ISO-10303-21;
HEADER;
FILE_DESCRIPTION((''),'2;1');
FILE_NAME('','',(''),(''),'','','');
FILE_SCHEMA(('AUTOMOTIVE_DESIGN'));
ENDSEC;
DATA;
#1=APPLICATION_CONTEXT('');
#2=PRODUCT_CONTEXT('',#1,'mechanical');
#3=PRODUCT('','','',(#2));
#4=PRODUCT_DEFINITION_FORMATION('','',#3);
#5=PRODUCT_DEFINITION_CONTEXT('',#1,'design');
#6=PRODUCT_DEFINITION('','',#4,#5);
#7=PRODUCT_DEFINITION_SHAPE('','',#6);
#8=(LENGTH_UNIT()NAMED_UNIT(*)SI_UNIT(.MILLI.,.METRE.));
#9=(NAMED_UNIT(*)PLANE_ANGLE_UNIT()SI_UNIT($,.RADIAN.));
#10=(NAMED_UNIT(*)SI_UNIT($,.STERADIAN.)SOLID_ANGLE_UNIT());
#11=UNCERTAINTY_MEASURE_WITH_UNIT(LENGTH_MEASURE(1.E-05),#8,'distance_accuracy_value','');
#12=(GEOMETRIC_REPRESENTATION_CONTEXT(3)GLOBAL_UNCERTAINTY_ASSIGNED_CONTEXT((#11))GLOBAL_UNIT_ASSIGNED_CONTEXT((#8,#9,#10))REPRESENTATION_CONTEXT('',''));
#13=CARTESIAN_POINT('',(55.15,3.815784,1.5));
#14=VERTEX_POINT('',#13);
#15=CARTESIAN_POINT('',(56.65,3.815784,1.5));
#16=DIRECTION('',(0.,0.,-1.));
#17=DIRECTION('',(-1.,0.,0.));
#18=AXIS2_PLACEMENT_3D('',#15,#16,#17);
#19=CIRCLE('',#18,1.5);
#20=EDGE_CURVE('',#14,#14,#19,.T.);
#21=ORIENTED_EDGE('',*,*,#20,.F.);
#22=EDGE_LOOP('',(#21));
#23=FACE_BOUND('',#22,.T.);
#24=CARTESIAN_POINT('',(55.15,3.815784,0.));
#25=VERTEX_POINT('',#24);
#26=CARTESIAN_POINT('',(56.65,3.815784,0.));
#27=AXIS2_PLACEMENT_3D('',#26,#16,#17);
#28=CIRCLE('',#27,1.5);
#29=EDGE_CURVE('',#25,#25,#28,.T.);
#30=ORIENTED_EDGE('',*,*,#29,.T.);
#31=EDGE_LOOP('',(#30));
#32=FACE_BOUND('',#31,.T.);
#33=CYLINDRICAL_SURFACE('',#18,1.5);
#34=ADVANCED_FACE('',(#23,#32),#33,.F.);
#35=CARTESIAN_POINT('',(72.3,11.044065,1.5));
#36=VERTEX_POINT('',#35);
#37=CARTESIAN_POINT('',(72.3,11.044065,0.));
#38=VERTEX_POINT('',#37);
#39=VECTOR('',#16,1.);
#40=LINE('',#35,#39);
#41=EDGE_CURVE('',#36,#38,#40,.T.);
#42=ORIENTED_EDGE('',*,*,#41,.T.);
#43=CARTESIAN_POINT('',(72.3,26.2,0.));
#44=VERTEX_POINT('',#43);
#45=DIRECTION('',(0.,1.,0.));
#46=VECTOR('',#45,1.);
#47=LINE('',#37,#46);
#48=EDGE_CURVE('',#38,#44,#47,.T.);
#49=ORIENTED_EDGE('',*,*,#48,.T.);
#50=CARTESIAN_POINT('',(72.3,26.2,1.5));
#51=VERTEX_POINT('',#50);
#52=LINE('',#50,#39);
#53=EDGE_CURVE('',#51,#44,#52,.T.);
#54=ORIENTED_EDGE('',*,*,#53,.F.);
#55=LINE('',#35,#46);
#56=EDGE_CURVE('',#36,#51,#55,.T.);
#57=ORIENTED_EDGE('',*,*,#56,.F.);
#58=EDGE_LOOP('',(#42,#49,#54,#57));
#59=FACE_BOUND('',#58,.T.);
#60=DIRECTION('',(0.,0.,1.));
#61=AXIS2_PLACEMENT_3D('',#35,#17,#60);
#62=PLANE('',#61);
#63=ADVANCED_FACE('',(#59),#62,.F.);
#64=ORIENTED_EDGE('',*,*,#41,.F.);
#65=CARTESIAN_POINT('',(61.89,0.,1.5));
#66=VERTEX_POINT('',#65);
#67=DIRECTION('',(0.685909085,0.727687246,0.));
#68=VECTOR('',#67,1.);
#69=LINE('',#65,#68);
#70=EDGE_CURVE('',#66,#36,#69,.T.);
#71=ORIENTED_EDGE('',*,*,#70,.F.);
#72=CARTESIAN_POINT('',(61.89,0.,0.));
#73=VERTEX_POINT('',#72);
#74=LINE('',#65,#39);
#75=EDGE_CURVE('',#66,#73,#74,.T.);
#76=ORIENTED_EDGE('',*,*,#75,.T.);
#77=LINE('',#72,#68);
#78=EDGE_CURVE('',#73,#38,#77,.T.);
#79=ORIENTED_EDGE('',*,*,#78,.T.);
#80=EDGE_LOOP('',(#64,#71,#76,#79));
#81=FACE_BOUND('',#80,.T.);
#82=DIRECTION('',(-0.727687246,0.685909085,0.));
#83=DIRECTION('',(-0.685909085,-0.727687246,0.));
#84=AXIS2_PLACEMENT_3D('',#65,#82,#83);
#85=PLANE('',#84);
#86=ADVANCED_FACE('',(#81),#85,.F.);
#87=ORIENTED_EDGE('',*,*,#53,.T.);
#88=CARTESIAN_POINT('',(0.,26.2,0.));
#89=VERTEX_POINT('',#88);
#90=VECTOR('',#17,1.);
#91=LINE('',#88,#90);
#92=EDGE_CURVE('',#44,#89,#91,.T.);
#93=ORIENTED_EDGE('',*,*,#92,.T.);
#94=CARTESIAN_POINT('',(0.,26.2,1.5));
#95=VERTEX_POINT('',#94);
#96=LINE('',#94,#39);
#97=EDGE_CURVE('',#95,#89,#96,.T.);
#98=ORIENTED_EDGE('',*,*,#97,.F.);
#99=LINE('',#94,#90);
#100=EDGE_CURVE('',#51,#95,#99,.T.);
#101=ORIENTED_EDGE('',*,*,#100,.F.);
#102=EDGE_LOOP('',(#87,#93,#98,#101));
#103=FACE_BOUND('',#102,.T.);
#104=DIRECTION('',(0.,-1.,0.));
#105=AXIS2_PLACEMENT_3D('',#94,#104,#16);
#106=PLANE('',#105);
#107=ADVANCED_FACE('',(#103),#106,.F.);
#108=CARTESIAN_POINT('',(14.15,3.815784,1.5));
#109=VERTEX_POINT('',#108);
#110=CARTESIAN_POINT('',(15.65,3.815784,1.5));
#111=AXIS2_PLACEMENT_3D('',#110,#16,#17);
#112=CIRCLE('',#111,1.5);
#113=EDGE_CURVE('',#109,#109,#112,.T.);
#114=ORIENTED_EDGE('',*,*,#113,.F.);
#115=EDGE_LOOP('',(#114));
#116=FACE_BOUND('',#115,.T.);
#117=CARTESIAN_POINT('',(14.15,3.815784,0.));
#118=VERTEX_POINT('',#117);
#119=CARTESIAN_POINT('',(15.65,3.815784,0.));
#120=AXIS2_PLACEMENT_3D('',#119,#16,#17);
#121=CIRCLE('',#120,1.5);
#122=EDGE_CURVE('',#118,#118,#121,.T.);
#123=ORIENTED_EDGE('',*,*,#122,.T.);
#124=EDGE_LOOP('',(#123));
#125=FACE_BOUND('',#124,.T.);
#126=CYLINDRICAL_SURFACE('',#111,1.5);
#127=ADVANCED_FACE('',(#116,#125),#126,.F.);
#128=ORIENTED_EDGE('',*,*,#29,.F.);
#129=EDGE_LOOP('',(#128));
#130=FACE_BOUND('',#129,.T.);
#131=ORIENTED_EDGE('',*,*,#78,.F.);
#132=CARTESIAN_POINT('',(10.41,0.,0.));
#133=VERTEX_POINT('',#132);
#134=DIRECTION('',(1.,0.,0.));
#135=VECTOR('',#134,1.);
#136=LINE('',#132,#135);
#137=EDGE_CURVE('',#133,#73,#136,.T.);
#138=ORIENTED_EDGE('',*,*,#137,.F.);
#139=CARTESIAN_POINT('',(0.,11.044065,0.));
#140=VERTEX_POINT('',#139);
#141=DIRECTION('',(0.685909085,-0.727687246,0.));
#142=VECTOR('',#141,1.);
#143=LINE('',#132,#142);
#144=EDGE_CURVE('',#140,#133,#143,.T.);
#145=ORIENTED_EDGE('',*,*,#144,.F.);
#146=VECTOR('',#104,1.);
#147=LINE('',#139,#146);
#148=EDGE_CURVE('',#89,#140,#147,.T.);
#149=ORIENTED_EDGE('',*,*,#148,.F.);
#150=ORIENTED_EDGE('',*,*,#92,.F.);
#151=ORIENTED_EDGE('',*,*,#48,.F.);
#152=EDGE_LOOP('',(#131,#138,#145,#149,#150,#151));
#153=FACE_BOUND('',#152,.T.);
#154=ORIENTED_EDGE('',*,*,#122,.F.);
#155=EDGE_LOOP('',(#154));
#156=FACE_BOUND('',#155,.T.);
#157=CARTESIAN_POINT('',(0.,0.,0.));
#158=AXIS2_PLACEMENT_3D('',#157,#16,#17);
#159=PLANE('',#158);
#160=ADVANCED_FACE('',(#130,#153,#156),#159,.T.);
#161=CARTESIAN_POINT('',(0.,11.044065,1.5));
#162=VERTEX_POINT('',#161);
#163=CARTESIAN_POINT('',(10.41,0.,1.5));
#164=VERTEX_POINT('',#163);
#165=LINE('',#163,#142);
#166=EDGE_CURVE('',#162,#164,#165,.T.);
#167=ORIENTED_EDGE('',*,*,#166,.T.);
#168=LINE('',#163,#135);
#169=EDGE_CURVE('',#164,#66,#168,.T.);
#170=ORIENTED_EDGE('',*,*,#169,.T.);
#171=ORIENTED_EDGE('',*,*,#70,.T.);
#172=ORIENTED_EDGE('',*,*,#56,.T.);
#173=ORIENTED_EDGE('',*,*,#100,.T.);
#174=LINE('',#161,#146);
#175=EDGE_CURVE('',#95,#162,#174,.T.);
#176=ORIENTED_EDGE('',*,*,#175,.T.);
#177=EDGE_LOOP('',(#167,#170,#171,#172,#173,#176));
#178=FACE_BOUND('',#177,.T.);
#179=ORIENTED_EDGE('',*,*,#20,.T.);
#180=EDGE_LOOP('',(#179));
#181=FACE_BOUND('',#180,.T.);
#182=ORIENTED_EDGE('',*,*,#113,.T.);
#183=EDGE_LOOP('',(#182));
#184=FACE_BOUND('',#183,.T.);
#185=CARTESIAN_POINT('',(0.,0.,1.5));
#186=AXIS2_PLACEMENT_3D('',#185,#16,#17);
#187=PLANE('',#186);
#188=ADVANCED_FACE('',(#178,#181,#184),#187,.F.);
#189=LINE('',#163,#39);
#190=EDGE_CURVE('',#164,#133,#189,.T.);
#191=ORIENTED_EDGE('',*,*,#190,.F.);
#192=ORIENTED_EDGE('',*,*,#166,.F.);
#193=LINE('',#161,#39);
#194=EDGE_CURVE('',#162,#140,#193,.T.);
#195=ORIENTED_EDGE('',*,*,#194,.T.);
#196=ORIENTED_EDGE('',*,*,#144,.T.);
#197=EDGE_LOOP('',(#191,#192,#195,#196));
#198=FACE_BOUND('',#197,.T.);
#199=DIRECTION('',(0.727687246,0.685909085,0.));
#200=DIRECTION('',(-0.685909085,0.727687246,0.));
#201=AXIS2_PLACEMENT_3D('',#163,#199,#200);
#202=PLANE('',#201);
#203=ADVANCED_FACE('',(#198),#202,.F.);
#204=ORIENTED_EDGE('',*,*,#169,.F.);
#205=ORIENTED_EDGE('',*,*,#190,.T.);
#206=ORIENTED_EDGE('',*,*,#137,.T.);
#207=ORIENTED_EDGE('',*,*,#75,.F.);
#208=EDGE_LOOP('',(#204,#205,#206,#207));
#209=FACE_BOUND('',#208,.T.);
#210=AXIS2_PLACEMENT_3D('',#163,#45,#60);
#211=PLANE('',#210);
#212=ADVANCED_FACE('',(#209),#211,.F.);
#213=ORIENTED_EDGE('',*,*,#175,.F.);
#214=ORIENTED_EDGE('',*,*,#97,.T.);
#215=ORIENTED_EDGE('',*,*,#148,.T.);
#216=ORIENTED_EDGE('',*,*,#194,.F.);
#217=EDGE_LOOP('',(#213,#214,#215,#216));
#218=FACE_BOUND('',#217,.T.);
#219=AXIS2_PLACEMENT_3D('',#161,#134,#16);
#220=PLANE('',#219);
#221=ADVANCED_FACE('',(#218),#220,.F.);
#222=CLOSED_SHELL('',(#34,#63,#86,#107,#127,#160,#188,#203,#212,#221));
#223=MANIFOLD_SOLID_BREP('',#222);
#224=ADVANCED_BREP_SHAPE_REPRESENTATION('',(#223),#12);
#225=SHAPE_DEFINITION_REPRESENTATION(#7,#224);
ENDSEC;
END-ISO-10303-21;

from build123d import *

# Parameters (mm, degrees)
BOSS_EXTRUDE1_DEPTH = 1.5
SKETCH3_R           = 1.5
CUT_EXTRUDE1_DEPTH  = 2.5


with BuildPart() as part:
    # Sketch2 → Boss-Extrude1 (new body)
    with BuildSketch(Plane.XY):
        Polygon((10.41, 0), (61.89, 0), (72.3, 11.044064583), (72.3, 26.2), (0, 26.2), (0, 11.044064583), align=None)
    extrude(amount=BOSS_EXTRUDE1_DEPTH)

    # Sketch3 → Cut-Extrude1 (cut, through all)
    with BuildSketch(Plane(origin=(0, 0, 0), x_dir=(-1, 0, 0), z_dir=(0, 0, -1))):
        with Locations((-56.65, 3.815784405)):
            Circle(SKETCH3_R)
        with Locations((-15.65, 3.815784405)):
            Circle(SKETCH3_R)
    extrude(amount=-CUT_EXTRUDE1_DEPTH, mode=Mode.SUBTRACT)


solid = part.part
